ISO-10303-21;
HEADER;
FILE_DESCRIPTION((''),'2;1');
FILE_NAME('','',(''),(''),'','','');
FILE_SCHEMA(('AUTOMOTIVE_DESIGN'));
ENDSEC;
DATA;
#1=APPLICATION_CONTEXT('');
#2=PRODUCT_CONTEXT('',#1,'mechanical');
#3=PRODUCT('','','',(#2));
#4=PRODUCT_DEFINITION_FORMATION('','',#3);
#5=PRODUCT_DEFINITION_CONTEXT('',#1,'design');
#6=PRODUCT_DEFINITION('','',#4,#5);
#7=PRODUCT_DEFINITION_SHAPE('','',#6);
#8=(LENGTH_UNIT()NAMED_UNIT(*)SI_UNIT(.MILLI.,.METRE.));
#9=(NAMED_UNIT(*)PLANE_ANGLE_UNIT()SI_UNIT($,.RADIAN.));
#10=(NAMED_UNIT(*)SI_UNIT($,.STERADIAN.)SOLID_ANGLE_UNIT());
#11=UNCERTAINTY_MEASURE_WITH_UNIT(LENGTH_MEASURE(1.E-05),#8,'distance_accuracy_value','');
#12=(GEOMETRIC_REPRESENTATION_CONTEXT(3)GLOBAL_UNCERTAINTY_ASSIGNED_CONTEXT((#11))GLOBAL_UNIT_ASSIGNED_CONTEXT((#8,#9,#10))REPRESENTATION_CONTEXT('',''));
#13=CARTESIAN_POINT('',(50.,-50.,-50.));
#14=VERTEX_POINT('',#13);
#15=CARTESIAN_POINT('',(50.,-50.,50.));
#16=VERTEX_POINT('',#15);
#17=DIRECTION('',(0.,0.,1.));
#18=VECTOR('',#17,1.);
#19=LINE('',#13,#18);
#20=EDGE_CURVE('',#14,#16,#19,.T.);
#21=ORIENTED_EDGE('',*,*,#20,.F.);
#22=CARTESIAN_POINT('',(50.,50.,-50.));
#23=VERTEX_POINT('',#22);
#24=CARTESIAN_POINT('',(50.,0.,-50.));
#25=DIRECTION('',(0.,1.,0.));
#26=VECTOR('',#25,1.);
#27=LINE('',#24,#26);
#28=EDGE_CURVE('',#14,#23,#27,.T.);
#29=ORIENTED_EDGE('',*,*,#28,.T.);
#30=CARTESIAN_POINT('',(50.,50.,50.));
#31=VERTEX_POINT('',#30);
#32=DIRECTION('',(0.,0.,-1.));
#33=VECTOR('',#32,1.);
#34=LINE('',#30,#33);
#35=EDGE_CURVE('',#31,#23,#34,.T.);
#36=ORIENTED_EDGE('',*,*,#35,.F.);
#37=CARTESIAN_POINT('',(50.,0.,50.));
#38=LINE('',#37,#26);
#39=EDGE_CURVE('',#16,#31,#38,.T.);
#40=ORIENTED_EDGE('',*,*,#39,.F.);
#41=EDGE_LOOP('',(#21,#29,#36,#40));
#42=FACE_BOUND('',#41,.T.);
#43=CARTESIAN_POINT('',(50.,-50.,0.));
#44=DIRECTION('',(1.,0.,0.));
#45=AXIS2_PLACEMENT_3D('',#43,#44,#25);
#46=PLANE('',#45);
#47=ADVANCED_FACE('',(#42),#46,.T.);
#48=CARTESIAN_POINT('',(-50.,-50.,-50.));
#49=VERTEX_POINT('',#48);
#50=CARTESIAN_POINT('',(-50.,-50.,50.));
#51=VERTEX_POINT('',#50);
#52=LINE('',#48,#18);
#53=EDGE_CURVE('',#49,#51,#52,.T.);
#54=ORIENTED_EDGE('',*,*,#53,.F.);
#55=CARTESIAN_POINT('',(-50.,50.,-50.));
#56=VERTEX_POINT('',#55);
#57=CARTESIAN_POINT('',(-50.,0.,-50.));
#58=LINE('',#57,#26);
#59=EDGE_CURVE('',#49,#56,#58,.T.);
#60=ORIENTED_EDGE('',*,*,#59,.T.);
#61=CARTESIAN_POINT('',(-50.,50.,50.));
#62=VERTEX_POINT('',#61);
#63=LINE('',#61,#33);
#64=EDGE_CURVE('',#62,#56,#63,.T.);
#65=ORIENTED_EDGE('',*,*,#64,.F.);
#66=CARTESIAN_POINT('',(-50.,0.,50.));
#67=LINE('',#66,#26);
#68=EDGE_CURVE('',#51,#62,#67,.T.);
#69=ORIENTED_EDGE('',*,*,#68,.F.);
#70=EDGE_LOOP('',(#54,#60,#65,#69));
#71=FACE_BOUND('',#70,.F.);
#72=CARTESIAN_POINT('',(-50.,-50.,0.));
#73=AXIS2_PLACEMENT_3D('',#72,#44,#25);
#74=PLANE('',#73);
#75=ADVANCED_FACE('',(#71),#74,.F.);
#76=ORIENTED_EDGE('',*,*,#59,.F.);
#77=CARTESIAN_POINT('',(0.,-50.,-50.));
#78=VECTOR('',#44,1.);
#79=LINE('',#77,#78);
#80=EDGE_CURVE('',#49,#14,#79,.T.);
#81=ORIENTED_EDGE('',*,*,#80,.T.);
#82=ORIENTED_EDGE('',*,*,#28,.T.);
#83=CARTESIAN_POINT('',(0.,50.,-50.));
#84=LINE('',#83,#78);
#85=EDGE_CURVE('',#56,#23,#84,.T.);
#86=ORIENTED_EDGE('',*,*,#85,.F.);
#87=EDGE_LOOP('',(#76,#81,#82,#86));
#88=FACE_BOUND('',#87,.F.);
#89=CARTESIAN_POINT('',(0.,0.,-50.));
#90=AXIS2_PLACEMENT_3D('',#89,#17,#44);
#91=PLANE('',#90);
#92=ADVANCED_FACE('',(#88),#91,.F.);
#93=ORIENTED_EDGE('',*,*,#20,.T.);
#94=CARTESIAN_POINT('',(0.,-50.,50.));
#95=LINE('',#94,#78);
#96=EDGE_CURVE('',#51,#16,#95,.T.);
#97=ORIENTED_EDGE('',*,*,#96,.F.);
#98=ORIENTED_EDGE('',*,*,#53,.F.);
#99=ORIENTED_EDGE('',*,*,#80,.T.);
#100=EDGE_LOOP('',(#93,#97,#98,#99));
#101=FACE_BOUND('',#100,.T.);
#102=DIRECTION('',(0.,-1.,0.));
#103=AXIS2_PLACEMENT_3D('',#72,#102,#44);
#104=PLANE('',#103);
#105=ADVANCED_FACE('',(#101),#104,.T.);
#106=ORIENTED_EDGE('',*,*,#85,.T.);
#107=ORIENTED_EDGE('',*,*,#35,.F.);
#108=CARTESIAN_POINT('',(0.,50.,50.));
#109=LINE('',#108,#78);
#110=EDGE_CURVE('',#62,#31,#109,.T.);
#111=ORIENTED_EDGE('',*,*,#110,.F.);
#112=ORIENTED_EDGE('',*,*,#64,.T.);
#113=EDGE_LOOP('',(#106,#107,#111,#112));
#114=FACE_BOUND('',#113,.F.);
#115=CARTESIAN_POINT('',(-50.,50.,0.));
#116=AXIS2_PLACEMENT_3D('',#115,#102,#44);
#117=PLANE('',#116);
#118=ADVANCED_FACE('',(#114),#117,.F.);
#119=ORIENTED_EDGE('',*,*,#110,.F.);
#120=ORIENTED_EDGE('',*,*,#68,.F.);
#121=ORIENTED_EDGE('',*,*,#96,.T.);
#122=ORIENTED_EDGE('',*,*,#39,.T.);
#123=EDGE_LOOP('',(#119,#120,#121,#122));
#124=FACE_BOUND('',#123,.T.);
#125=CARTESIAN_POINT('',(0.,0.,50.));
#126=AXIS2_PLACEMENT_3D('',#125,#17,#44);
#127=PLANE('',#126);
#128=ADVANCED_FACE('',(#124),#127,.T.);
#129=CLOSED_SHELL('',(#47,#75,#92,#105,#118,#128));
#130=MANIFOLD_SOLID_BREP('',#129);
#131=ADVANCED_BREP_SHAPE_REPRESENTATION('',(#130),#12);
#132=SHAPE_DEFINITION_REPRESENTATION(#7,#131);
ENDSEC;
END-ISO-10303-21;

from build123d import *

# Parameters (mm, degrees)
SKETCH1_W           = 100
SKETCH1_H           = 100
BOSS_EXTRUDE1_DEPTH = 50


with BuildPart() as part:
    # Sketch1 → Boss-Extrude1 (new body, symmetric)
    with BuildSketch(Plane.XY):
        Rectangle(SKETCH1_W, SKETCH1_H)
    extrude(amount=BOSS_EXTRUDE1_DEPTH, both=True)


solid = part.part
